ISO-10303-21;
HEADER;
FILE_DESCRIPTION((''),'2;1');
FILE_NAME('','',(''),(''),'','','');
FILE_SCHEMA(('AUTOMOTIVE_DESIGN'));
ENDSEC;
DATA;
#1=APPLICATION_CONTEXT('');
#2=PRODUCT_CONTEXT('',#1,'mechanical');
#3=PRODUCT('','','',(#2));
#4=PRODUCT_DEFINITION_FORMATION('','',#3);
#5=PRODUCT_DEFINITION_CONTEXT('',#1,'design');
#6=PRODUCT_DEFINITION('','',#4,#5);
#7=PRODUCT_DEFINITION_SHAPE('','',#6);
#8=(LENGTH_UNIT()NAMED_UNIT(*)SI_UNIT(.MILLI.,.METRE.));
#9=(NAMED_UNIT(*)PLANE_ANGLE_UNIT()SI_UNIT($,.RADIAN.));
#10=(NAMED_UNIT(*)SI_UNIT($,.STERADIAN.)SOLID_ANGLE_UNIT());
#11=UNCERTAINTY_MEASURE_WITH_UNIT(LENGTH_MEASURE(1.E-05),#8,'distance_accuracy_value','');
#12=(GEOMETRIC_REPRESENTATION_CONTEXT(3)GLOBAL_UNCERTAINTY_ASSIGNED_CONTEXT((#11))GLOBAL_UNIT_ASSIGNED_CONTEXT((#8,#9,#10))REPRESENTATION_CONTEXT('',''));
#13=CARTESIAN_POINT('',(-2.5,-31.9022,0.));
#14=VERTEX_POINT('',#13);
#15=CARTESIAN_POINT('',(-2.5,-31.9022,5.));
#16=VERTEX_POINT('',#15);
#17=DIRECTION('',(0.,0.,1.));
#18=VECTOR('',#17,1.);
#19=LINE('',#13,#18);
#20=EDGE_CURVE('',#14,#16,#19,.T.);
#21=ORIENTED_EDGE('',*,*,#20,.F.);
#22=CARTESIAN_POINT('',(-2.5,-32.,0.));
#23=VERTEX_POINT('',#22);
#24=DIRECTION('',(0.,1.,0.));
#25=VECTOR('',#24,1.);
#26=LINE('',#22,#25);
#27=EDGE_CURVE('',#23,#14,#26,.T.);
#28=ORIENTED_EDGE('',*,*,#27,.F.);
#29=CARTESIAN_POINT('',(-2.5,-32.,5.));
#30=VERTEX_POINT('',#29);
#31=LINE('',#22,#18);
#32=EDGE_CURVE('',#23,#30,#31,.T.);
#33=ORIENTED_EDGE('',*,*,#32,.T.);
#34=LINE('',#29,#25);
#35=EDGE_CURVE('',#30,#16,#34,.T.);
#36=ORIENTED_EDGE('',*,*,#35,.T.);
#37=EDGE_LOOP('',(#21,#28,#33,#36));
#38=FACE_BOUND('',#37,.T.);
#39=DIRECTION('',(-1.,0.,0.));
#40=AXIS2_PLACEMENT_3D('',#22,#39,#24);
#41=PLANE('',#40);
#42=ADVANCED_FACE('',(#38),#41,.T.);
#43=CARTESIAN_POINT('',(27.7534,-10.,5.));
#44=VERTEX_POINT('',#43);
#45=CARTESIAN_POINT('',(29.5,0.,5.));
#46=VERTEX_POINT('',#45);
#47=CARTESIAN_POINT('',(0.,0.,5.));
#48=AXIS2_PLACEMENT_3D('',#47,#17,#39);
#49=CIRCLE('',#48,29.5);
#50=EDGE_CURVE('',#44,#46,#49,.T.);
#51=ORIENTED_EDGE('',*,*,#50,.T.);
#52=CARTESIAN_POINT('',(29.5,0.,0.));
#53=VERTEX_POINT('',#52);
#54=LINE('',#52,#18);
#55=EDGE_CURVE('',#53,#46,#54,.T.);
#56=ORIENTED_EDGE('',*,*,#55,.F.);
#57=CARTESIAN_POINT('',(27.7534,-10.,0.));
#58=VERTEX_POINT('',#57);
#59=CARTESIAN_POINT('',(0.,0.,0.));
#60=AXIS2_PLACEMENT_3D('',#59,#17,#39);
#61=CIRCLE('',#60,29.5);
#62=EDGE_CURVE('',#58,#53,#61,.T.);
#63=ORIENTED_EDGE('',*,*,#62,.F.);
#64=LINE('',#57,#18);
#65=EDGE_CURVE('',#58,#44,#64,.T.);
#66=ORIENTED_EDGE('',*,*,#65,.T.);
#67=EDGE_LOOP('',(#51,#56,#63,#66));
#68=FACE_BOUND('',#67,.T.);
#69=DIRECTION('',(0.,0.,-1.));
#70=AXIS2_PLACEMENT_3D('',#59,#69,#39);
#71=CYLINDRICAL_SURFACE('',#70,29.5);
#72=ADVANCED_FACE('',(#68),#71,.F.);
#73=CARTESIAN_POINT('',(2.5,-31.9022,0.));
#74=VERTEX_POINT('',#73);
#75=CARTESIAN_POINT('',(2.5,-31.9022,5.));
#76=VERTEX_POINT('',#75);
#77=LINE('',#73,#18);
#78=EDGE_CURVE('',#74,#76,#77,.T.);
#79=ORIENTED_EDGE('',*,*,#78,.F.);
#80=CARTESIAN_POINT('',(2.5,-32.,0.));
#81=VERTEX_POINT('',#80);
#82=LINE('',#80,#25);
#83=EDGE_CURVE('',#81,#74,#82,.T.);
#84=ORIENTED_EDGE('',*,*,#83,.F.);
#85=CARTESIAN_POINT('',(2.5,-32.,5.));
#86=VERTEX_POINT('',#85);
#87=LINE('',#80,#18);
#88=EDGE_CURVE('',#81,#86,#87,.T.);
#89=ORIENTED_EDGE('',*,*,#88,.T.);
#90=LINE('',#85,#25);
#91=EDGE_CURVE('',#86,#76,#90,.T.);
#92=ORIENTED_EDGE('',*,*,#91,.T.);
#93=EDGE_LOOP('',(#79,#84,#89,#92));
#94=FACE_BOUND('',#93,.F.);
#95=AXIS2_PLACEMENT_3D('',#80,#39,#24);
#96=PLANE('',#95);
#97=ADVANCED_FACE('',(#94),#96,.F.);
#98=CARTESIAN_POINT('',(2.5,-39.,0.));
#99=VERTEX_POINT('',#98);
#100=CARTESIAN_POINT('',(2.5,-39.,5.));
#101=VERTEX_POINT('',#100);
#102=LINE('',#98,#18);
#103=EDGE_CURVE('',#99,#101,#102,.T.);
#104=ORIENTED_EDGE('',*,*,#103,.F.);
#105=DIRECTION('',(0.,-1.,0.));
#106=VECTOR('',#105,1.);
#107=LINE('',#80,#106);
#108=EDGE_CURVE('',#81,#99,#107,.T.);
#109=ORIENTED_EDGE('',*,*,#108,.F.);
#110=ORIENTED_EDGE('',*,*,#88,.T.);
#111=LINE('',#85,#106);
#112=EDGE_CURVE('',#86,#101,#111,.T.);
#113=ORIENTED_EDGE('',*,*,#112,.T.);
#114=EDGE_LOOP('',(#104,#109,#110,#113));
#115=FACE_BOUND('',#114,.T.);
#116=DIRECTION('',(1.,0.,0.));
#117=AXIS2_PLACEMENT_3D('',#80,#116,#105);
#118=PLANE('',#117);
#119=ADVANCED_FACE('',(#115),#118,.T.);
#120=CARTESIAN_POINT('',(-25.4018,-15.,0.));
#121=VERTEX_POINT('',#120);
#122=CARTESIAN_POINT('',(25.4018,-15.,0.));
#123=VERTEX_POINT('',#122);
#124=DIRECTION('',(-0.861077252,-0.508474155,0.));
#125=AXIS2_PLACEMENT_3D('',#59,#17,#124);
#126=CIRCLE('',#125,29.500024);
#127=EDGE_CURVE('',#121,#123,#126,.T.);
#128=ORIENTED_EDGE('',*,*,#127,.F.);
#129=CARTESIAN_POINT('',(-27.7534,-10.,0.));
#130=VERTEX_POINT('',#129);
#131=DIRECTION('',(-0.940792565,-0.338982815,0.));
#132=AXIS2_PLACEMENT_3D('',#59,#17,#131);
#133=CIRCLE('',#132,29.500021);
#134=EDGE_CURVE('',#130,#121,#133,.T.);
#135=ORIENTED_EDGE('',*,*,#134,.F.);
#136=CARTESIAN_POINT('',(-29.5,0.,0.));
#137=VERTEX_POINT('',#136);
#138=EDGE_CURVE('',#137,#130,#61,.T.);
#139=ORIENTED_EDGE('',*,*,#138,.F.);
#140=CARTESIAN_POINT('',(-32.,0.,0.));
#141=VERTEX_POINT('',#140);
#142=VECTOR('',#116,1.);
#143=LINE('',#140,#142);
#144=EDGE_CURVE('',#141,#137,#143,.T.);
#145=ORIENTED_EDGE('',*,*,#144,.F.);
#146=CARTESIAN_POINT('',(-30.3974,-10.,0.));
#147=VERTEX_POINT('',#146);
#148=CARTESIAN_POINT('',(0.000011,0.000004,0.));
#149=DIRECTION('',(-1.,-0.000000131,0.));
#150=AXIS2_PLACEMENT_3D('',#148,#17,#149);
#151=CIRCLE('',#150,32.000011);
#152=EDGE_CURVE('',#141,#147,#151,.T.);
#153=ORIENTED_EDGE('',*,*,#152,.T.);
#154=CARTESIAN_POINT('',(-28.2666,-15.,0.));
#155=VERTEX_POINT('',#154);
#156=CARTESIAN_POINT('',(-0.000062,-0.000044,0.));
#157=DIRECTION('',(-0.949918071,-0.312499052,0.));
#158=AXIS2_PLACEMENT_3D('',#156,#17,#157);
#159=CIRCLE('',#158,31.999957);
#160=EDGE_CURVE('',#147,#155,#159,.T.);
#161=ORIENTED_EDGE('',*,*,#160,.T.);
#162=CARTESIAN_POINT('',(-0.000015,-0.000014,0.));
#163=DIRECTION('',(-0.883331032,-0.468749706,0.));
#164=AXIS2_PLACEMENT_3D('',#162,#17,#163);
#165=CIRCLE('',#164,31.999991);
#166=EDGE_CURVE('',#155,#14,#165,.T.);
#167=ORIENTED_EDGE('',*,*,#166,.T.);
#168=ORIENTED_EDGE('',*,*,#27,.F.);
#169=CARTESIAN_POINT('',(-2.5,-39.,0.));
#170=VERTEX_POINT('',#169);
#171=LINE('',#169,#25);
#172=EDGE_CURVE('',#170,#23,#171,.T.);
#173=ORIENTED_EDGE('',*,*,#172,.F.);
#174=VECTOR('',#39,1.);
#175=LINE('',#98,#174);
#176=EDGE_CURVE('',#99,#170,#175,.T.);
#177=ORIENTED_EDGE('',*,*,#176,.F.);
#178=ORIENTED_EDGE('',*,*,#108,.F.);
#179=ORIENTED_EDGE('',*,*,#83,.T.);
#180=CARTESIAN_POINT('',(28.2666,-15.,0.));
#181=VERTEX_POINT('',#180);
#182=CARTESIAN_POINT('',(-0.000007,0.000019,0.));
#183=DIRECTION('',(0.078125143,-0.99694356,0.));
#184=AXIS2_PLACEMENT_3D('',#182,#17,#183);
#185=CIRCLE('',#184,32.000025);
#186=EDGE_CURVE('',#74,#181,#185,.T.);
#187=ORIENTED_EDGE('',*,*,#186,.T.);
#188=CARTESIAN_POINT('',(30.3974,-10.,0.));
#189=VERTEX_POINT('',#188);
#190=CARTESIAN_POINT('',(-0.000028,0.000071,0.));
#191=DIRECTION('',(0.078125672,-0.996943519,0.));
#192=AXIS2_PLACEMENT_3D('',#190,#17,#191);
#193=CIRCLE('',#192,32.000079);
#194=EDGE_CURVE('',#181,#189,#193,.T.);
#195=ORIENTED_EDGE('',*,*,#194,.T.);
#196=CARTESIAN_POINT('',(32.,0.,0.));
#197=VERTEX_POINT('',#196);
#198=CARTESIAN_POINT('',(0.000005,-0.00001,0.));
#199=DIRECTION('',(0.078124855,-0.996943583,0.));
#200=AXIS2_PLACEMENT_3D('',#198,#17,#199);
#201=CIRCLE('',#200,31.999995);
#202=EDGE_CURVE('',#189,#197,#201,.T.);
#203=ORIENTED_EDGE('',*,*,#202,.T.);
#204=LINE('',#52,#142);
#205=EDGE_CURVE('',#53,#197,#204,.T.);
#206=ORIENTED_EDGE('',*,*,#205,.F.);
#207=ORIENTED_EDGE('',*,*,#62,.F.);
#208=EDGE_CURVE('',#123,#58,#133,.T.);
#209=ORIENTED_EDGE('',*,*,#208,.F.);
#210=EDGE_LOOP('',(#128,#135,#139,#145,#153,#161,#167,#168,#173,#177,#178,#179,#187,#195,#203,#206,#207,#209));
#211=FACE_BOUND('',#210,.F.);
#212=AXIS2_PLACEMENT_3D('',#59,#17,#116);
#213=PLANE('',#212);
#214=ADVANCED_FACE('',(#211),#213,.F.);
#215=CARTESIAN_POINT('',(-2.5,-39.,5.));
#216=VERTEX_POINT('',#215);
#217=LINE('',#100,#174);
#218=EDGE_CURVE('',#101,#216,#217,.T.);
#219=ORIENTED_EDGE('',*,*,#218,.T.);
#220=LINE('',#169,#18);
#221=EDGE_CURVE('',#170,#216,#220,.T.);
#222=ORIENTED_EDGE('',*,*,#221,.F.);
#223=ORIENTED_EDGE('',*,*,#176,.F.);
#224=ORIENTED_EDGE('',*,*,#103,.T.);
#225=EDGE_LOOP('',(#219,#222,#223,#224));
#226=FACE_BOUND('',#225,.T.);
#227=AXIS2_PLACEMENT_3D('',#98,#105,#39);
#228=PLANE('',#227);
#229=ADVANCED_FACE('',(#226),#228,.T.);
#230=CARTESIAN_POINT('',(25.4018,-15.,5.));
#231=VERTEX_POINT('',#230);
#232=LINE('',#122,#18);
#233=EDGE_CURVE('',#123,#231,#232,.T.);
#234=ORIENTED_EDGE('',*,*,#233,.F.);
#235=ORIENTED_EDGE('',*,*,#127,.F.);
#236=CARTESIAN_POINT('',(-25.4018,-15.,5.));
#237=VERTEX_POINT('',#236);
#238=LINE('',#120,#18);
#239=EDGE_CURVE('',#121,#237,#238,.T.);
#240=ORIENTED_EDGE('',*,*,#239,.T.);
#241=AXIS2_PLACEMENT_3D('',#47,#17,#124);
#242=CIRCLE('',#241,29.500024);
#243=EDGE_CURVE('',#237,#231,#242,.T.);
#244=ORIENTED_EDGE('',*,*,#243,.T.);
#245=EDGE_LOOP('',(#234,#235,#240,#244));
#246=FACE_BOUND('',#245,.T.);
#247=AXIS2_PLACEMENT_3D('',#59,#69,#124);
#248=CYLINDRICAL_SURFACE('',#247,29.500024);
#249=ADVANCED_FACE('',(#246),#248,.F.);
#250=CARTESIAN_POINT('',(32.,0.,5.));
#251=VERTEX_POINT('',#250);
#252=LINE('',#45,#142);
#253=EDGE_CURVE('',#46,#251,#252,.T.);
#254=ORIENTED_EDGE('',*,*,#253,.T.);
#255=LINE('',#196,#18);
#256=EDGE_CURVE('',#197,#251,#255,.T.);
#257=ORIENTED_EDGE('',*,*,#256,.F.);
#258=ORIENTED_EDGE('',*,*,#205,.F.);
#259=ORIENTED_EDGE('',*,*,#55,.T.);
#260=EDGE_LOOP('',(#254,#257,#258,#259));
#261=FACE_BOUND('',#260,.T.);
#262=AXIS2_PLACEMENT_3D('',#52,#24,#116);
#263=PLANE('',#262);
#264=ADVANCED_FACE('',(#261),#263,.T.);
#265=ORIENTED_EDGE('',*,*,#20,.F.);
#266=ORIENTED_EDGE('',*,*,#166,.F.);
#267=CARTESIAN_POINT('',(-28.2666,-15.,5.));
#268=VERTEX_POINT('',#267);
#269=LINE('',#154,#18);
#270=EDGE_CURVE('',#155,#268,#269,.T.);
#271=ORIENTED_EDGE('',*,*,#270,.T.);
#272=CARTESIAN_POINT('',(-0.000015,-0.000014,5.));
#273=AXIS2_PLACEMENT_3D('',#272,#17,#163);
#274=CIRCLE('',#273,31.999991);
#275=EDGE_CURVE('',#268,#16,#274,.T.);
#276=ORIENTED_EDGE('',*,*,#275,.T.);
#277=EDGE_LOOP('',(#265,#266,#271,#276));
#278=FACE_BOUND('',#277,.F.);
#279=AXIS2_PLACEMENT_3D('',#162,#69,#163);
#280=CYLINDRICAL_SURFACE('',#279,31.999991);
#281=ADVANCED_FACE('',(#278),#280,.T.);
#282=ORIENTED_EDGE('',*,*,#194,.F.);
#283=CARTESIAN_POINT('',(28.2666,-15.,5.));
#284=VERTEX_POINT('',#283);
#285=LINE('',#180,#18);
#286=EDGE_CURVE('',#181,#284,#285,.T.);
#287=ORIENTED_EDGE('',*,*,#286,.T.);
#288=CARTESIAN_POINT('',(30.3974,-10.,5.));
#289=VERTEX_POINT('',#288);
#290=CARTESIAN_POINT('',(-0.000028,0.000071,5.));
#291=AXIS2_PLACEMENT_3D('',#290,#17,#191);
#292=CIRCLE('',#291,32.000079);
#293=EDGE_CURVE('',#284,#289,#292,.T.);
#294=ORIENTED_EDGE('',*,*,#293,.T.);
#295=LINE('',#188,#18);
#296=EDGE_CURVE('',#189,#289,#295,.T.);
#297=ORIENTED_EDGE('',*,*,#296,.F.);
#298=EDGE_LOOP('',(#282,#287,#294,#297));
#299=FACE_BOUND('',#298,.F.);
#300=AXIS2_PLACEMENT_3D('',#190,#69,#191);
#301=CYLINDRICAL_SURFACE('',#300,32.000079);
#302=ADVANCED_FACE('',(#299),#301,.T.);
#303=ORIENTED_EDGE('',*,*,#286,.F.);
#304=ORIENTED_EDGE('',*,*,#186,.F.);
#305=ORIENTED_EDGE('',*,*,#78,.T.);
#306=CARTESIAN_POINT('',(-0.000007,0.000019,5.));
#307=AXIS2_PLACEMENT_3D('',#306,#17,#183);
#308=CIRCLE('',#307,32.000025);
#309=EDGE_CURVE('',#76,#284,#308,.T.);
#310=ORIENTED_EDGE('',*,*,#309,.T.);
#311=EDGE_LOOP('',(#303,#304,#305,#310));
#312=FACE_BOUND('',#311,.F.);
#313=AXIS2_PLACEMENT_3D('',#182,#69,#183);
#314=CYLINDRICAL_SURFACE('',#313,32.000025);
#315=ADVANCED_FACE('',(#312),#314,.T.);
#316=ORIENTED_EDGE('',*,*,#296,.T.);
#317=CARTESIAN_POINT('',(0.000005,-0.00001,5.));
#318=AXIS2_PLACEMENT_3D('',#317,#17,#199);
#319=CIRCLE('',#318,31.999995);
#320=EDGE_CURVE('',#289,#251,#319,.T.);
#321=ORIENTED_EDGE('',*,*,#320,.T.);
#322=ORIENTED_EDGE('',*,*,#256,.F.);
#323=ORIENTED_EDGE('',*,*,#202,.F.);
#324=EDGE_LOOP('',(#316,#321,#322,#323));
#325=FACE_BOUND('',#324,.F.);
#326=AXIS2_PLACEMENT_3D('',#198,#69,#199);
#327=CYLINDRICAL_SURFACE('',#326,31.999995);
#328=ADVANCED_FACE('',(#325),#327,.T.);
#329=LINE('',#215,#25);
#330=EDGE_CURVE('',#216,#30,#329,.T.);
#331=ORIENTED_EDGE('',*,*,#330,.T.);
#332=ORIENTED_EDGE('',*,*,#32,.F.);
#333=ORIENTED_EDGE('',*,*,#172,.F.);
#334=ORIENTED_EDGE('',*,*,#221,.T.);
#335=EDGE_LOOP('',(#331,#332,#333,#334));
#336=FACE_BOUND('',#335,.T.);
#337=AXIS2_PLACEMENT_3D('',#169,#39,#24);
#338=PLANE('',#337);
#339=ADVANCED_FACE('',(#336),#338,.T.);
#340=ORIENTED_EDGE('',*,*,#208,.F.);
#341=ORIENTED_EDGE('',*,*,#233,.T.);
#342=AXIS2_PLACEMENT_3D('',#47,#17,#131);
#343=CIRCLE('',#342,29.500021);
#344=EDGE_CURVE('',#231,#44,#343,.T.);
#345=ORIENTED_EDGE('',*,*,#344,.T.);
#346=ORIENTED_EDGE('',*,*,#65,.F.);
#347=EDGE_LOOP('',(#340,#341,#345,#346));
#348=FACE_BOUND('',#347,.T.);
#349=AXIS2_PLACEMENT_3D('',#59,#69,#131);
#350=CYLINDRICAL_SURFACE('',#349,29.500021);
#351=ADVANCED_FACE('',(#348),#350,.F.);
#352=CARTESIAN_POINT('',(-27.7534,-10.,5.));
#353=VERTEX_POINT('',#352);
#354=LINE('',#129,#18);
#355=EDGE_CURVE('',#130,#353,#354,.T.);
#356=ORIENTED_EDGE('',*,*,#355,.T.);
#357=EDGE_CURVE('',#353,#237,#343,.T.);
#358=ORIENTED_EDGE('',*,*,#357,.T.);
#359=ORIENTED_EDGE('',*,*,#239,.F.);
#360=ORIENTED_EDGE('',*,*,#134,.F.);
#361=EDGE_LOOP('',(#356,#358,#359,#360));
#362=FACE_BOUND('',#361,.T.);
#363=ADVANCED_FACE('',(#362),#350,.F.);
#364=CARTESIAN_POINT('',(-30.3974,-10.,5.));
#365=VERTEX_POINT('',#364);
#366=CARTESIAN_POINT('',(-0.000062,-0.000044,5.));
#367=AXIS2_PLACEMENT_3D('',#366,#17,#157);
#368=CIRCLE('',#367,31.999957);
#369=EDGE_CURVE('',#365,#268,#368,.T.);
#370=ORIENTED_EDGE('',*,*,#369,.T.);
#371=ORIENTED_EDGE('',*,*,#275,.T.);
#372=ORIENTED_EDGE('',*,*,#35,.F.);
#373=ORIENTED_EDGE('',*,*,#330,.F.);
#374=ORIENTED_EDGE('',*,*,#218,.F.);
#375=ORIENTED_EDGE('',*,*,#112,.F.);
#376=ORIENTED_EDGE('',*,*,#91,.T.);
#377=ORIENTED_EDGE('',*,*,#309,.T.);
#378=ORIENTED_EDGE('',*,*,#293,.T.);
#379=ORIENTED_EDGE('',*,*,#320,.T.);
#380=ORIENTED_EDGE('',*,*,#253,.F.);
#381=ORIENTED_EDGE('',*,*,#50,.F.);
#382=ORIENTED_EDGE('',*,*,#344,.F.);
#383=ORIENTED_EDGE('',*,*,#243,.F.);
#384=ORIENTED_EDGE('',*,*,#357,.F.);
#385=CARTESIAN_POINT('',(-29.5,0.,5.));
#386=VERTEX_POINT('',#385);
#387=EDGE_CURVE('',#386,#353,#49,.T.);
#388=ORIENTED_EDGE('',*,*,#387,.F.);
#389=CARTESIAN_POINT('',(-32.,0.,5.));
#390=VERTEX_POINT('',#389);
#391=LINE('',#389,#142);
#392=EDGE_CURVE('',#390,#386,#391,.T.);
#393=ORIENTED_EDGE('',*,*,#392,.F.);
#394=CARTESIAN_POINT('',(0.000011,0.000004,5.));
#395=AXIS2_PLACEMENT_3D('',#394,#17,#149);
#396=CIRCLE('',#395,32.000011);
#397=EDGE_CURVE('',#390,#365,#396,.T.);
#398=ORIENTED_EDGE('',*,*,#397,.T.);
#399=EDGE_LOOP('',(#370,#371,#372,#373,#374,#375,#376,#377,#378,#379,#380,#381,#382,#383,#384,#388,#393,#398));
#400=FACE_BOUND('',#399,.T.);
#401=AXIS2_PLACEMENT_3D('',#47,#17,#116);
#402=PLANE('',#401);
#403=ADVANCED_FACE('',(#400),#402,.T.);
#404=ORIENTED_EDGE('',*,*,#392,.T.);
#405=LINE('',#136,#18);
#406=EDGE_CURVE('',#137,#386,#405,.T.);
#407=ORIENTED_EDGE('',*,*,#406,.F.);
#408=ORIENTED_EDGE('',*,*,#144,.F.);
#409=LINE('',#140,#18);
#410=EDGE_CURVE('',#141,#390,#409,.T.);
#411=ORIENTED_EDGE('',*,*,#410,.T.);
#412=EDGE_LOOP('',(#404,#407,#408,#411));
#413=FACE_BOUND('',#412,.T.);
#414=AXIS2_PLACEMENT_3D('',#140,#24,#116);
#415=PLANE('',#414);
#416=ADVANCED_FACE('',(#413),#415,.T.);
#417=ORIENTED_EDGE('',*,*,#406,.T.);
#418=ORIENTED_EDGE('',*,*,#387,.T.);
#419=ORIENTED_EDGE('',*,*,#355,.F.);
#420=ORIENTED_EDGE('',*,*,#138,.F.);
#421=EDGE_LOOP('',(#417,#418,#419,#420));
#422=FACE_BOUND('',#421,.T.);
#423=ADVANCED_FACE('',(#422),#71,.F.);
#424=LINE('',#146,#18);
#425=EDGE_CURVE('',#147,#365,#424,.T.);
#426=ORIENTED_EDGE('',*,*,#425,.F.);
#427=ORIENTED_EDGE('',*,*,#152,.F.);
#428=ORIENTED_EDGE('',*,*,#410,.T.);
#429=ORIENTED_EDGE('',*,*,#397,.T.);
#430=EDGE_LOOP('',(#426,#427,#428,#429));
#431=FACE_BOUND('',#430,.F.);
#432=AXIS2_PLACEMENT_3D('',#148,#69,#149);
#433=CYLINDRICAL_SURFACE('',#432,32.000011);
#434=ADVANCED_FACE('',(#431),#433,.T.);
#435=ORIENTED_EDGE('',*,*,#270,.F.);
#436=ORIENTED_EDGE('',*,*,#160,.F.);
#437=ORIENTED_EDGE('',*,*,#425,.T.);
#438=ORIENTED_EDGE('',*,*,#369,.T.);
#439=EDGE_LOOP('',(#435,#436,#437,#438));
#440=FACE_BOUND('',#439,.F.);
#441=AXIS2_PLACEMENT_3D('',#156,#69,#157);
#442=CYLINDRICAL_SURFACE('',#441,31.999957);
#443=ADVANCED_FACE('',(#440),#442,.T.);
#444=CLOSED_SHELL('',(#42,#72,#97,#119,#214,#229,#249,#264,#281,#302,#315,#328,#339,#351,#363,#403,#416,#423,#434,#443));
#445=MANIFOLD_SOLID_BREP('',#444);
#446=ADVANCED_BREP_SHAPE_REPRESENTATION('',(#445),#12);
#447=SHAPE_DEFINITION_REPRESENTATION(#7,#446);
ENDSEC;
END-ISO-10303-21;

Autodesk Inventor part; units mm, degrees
ref_plane "YZ Plane" through (0, 0, 0) normal (1, 0, 0) x (0, 1, 0)
ref_plane "XZ Plane" through (0, 0, 0) normal (0, 1, 0) x (-1, 0, 0)
ref_plane "XY Plane" through (0, 0, 0) normal (0, 0, 1) x (1, 0, 0)
sketch "Sketch1" plane through (0, 0, 0) normal (0, 0, 1) x (1, 0, 0)
  arc A0 (-25.4018, -15) -> (25.4018, -15) centre (0, 0) ccw
  line L0 (2.5, -32) -> (2.5, -39)
  line L1 (2.5, -39) -> (-2.5, -39)
  line L2 (-2.5, -39) -> (-2.5, -32)
  line L3 (-2.5, -32) -> (-2.5, -31.9022)
  line L4 (2.5, -32) -> (2.5, -31.9022)
  arc A1 (-28.2666, -15) -> (-2.5, -31.9022) centre (0, 0) ccw
  arc A2 (2.5, -31.9022) -> (28.2666, -15) centre (0, 0) ccw
  arc A3 (-27.7534, -10) -> (27.7534, -10) centre (0, 0) ccw
  arc A4 (-30.3974, -10) -> (-2.5, -31.9022) centre (0, 0) ccw
  arc A5 (2.5, -31.9022) -> (30.3974, -10) centre (0, 0) ccw
  arc A6 (-29.5, 0) -> (29.5, 0) centre (0, 0) ccw
  line L5 (-32, 0) -> (-29.5, 0)
  line L6 (29.5, 0) -> (32, 0)
  arc A7 (2.5, -31.9022) -> (32, 0) centre (0, 0) ccw
  arc A8 (-32, 0) -> (-2.5, -31.9022) centre (0, 0) ccw
  point P0 (25.4018, -15)
  point P1 (-28.2666, -15)
  point P2 (27.7534, -10)
  point P3 (-30.3974, -10)
  dimension "d43" = 5
  dimension "d64" = 7
extrude "Extrusion8" add sketch "Sketch1" along normal blind 5
properties part number "Clip_TestFitV1"
